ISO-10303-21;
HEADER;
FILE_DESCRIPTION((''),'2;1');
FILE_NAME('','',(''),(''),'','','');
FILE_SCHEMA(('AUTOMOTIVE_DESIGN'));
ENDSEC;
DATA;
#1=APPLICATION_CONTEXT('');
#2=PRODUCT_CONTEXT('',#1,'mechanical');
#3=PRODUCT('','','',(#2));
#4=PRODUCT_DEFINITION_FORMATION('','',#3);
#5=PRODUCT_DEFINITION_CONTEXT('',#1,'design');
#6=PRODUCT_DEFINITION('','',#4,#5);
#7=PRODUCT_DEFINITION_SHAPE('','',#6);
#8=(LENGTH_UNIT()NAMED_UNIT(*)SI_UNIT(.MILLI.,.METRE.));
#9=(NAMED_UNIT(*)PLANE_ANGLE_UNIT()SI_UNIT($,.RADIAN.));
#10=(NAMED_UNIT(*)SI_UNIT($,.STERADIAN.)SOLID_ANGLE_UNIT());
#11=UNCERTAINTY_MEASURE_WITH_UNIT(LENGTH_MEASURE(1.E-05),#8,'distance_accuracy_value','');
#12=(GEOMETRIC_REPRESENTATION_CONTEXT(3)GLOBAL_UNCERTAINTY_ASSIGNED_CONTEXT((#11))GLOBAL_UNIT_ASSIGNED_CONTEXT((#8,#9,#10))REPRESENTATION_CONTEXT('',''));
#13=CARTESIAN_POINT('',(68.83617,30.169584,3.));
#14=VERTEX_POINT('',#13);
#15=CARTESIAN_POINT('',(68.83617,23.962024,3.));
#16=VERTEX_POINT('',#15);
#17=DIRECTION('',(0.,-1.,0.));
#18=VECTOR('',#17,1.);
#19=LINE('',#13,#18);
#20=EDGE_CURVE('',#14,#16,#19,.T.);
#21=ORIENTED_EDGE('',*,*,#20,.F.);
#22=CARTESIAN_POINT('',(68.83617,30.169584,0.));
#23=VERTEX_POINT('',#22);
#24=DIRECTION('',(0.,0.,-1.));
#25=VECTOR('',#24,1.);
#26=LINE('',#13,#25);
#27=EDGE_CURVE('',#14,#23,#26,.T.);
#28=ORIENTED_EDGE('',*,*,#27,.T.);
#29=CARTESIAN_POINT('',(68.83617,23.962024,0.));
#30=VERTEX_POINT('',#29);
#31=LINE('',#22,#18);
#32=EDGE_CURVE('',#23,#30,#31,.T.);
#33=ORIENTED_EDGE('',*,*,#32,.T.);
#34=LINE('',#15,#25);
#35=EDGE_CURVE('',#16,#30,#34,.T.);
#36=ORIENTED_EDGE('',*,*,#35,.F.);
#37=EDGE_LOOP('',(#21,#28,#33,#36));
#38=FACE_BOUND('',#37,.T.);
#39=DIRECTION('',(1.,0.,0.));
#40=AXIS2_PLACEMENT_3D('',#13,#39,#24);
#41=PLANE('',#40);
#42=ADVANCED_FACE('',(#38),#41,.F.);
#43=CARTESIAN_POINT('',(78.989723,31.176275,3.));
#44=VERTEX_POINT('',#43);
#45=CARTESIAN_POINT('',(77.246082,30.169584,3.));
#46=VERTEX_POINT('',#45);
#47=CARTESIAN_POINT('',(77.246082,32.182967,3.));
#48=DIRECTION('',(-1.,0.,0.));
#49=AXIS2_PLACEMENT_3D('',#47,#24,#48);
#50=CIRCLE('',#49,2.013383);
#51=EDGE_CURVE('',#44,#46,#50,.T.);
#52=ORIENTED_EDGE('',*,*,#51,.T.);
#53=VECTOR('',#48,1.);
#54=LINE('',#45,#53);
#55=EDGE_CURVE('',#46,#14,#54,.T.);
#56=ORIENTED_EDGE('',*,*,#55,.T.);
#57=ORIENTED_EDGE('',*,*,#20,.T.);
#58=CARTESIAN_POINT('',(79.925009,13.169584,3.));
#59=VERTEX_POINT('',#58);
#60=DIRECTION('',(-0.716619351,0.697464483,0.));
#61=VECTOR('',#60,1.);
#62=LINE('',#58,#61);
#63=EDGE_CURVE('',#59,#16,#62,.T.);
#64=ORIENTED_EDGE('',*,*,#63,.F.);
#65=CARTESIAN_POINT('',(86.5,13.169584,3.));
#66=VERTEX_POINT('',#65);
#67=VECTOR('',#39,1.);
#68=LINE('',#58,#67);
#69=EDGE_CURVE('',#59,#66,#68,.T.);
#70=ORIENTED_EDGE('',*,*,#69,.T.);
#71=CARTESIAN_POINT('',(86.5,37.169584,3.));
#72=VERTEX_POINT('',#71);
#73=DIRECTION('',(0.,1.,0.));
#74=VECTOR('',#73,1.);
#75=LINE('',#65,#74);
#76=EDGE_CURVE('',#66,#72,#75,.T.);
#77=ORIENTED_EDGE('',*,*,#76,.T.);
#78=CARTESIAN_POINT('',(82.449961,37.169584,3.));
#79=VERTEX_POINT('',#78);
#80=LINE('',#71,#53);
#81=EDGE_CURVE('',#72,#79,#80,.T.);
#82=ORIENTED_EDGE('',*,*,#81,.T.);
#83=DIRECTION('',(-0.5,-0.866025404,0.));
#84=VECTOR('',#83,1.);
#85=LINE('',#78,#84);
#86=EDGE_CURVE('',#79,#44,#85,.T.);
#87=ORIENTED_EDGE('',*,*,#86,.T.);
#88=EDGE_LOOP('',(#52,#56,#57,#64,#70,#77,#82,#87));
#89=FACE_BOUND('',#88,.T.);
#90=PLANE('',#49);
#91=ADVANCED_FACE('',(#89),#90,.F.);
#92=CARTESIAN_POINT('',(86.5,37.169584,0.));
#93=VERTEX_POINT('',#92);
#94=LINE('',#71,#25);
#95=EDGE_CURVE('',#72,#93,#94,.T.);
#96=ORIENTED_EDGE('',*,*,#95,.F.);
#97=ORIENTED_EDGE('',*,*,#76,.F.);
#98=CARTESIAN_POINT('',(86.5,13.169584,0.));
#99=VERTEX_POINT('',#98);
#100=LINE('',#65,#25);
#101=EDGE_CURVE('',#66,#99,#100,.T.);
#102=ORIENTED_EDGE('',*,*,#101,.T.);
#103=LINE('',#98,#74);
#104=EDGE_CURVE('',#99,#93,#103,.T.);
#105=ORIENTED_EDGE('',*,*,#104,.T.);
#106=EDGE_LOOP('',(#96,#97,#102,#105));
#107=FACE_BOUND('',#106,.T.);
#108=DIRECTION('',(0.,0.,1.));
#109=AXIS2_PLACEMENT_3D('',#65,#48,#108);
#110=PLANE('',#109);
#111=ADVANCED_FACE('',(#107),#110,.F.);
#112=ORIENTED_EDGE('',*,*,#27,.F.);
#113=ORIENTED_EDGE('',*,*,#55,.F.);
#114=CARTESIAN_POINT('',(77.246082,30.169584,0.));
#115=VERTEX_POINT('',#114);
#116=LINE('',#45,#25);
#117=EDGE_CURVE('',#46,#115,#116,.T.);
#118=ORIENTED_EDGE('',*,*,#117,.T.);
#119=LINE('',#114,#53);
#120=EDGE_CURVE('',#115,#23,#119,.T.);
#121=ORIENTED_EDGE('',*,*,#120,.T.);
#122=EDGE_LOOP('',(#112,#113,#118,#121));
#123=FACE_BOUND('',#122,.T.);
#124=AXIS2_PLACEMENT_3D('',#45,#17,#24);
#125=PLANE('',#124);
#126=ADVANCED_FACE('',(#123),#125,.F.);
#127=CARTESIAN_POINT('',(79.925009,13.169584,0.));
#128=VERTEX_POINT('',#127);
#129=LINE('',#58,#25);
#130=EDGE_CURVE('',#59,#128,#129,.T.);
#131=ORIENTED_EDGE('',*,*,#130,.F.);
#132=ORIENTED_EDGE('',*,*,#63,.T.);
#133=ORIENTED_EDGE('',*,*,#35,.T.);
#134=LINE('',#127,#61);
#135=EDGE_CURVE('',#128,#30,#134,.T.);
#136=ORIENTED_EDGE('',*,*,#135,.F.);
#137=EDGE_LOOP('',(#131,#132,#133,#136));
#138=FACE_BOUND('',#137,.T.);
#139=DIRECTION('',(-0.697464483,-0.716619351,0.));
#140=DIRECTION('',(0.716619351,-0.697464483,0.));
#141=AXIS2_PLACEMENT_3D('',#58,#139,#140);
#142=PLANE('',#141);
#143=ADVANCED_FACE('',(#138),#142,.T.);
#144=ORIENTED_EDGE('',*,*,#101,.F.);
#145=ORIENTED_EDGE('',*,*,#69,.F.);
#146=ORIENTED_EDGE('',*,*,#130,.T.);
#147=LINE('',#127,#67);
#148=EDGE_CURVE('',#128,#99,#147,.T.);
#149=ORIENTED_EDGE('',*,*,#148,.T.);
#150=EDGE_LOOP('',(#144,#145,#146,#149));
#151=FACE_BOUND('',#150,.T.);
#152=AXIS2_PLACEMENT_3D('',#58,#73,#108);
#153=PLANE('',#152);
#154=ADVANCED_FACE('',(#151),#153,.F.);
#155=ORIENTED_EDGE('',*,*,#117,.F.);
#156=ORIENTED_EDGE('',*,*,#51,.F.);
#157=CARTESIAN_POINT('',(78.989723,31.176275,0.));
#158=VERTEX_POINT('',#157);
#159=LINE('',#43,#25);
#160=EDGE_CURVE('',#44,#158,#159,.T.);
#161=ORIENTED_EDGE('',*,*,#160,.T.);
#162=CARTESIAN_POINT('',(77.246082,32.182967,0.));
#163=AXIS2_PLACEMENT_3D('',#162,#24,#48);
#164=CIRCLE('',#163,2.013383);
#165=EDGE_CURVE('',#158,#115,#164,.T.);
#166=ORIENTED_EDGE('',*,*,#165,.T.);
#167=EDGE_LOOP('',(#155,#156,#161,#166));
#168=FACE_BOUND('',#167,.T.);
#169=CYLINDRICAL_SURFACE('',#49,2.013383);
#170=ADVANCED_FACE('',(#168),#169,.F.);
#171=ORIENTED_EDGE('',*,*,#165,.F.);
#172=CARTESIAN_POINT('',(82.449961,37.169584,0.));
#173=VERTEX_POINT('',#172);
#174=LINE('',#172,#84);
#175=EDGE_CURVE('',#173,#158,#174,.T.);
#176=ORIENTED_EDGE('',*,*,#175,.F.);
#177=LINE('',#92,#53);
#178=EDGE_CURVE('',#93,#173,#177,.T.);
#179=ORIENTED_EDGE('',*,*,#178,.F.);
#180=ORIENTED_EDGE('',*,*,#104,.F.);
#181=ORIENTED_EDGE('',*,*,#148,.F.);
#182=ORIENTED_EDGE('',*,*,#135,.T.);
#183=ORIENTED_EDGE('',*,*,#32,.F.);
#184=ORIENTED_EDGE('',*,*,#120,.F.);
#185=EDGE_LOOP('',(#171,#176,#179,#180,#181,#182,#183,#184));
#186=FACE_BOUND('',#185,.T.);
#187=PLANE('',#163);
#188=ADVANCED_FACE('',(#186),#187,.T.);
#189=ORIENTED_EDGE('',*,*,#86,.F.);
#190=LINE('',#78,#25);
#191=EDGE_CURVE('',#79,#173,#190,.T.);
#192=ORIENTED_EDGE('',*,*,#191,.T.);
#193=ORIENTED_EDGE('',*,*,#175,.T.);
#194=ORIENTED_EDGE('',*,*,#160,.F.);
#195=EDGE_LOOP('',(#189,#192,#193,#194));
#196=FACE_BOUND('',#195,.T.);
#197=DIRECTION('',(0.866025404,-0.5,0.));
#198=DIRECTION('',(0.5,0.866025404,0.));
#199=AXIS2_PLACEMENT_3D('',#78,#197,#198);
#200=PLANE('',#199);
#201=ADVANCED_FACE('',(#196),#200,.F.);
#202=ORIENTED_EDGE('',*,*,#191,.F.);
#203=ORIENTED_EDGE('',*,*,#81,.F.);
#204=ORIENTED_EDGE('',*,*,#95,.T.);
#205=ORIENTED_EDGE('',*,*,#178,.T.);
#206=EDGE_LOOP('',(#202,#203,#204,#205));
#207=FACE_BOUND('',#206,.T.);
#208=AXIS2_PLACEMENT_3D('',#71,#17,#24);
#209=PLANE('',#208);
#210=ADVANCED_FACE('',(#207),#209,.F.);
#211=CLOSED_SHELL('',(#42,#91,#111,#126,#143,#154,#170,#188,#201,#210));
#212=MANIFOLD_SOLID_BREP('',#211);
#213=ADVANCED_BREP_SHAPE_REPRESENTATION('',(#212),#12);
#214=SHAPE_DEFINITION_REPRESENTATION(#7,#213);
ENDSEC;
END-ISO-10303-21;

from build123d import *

# Parameters (mm, degrees)
BOSS_EXTRUDE1_DEPTH = 3


with BuildPart() as part:
    # Sketch1 → Boss-Extrude1 (new body)
    with BuildSketch(Plane.XY):
        with BuildLine():
            Line((79.925008739, 13.169583611), (86.5, 13.169583611))
            Line((86.5, 13.169583611), (86.5, 37.169583611))
            Line((86.5, 37.169583611), (82.449961477, 37.169583611))
            Line((82.449961477, 37.169583611), (78.989723206, 31.17627512))
            ThreePointArc((78.989723206, 31.17627512), (78.252773874, 30.439325787), (77.246082365, 30.169583611))
            Line((77.246082365, 30.169583611), (68.83616957, 30.169583611))
            Line((68.83616957, 30.169583611), (68.83616957, 23.962023793))
            Line((68.83616957, 23.962023793), (79.925008739, 13.169583611))
        make_face()
    extrude(amount=BOSS_EXTRUDE1_DEPTH)


solid = part.part
